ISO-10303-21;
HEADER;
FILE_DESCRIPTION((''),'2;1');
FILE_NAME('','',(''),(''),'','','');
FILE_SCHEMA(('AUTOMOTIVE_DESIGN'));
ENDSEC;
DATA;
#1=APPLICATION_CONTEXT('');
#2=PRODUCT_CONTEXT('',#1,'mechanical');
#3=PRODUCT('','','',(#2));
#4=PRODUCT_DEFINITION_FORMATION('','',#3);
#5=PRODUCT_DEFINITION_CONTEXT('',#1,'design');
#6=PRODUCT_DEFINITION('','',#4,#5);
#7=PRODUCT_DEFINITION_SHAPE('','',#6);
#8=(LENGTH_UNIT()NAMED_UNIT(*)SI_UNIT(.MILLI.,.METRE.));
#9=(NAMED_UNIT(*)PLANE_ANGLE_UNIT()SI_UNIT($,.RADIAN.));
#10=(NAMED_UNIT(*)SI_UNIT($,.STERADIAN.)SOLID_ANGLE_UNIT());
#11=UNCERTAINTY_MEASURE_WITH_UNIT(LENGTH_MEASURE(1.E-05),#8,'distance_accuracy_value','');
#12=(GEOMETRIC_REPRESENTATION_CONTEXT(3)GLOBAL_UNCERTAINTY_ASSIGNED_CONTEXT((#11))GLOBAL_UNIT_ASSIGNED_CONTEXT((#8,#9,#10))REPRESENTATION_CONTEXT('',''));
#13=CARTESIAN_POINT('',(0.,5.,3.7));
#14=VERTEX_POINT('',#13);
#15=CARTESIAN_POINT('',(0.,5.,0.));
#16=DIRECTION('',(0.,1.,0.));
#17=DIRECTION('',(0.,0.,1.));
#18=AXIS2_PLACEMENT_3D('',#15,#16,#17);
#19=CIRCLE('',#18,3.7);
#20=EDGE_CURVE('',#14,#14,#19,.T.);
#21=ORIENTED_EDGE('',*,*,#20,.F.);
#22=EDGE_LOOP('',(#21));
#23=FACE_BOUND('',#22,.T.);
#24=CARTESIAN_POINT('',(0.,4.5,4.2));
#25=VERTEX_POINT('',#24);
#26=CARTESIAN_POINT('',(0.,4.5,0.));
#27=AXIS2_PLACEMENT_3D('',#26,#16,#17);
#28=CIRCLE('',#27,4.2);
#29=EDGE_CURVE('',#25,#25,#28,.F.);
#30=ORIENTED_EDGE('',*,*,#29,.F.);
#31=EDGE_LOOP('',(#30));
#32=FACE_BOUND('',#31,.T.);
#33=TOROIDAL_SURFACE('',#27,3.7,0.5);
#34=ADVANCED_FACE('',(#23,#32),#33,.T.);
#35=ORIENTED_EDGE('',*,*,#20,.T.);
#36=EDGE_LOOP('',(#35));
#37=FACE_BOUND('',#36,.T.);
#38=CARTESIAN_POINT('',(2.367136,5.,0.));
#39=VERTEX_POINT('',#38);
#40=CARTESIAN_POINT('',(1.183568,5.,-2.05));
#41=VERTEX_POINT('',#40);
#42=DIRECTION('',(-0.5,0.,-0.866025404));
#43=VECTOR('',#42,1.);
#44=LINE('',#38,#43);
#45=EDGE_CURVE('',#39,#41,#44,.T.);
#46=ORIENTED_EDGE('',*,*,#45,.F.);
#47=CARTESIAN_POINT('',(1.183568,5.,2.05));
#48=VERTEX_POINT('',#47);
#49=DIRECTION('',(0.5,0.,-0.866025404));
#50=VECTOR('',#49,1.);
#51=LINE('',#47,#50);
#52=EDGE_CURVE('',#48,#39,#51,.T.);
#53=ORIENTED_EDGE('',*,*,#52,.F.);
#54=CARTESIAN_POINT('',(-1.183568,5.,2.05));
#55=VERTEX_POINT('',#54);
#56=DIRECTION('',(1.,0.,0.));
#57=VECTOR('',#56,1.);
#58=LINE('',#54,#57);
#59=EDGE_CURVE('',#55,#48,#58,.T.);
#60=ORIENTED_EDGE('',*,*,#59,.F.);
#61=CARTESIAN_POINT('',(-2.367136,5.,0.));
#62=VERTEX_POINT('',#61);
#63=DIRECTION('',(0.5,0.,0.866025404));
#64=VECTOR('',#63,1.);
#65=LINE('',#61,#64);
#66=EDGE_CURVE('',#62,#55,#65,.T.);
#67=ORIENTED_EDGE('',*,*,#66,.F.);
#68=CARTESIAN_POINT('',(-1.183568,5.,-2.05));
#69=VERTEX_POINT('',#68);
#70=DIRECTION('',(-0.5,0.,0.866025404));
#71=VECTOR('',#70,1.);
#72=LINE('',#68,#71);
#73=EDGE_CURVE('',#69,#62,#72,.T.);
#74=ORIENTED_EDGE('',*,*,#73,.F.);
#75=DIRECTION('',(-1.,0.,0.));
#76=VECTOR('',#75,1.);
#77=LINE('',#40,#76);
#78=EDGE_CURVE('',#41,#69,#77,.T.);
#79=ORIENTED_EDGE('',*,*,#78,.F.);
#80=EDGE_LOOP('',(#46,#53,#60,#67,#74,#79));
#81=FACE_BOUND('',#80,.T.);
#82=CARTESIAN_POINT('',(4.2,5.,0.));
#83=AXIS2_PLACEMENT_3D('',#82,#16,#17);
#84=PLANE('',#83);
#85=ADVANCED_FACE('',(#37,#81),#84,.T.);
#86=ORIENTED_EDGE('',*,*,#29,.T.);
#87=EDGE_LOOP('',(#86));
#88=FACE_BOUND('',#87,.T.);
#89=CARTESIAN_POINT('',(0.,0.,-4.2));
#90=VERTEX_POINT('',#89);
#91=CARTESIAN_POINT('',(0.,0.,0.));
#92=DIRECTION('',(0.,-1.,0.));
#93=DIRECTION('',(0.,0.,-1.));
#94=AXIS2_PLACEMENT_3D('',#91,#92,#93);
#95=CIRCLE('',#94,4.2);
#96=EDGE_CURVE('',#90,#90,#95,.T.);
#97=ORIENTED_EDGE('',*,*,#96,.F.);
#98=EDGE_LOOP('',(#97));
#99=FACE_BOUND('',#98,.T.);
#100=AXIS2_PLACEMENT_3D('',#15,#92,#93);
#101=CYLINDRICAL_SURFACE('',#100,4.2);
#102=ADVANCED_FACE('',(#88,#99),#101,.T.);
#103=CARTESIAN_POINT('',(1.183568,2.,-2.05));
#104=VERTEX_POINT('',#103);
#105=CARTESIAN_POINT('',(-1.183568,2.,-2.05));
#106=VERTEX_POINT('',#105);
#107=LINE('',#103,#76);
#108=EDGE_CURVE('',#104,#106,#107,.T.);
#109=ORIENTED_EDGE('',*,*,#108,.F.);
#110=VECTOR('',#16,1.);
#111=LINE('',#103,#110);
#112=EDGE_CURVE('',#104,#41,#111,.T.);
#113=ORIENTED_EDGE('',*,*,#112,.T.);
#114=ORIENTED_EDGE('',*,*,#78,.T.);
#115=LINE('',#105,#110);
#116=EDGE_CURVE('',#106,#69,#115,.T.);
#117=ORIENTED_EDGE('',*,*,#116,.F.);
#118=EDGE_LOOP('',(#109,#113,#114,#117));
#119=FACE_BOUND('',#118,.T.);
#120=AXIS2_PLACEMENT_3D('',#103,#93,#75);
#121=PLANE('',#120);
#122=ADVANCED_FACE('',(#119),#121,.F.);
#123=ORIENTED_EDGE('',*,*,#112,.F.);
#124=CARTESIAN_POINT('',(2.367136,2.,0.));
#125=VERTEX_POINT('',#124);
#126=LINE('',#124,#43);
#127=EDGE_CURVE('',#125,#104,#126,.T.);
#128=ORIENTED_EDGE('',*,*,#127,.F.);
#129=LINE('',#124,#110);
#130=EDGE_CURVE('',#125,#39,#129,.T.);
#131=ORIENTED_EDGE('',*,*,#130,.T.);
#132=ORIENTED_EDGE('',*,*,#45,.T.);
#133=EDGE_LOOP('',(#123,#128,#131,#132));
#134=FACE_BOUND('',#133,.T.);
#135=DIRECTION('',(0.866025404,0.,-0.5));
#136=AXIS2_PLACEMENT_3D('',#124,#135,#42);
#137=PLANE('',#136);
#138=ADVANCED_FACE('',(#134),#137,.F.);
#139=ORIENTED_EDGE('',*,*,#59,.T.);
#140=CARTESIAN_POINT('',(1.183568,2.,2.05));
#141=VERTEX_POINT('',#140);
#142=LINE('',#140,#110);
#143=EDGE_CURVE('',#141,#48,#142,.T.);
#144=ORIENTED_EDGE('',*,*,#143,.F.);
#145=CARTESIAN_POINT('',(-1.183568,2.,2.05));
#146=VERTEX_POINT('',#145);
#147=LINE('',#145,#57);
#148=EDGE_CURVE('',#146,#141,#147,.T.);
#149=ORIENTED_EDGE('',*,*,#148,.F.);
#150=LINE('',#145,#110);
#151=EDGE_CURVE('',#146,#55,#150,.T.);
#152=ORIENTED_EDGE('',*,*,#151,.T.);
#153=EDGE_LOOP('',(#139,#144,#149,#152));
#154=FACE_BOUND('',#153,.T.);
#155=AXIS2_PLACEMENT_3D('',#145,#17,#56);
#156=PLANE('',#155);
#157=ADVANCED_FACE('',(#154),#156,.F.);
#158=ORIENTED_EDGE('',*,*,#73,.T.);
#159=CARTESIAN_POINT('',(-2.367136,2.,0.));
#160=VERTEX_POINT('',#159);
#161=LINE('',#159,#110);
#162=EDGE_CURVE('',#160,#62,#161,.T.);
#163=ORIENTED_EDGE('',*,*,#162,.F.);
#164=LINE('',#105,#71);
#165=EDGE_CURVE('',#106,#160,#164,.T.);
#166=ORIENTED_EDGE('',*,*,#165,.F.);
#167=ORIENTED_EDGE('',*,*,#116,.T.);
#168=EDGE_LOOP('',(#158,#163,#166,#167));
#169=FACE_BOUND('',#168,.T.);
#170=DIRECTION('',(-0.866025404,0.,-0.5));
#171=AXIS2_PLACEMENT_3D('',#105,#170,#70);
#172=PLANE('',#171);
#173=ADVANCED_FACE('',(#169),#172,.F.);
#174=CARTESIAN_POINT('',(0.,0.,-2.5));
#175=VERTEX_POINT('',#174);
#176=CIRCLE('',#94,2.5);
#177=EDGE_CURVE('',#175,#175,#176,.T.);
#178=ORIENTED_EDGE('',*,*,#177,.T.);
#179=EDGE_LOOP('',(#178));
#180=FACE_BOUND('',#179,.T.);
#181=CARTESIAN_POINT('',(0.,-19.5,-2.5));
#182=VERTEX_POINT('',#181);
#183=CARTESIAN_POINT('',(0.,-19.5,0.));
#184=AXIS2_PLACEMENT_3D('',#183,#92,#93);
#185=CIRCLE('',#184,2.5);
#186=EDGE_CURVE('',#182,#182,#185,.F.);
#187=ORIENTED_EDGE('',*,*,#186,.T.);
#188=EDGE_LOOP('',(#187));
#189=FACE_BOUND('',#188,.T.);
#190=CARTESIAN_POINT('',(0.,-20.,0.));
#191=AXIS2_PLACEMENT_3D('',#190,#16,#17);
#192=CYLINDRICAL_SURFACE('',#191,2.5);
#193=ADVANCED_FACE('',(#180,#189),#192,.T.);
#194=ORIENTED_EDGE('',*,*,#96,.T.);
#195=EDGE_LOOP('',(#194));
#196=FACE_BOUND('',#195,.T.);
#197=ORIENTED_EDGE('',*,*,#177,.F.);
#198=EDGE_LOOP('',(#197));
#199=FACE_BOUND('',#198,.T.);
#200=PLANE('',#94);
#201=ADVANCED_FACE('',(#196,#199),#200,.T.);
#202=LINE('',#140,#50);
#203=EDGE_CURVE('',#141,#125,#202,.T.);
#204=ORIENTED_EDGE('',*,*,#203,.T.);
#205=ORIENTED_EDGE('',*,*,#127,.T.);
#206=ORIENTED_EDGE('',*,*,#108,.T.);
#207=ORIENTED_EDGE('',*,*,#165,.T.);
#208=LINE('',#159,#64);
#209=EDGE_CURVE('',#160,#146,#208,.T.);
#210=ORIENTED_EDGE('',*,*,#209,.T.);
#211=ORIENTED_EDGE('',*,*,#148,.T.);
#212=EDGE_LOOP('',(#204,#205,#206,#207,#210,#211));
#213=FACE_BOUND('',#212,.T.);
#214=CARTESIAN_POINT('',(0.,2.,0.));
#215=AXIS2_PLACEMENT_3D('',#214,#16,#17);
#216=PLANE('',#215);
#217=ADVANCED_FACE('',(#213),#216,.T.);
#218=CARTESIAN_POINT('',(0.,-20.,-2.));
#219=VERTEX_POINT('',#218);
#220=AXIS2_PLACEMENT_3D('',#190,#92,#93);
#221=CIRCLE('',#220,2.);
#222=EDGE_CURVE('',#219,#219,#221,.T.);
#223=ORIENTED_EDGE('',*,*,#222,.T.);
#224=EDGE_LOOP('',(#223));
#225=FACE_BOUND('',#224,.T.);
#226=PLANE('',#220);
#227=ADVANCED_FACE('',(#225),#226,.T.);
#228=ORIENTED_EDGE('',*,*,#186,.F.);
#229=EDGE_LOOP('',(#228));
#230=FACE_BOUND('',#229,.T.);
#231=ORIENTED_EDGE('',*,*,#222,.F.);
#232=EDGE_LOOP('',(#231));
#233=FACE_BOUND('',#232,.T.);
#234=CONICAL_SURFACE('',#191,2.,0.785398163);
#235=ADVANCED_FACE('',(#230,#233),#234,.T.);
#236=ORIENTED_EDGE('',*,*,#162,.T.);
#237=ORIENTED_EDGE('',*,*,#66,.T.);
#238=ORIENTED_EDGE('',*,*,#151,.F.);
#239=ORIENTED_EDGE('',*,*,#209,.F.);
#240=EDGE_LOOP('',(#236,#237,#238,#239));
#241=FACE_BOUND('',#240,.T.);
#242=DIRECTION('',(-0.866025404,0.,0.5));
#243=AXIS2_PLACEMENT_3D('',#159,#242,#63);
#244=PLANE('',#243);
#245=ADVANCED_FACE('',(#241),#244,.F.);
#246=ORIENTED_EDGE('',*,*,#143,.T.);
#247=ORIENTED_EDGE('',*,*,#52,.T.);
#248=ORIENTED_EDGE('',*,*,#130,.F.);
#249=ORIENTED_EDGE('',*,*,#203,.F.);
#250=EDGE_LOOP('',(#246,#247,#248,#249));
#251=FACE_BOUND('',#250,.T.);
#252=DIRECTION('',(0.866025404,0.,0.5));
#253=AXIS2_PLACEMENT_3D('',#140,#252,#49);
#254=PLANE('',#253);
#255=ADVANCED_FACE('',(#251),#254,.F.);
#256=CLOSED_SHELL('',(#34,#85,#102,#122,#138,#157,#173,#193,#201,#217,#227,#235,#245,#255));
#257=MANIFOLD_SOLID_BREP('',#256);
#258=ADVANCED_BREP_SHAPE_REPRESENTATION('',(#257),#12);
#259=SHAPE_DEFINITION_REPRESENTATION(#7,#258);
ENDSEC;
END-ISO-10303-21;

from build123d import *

# Parameters (mm, degrees)
ESQUISSE1_W             = 4.2
ESQUISSE1_H             = 5
ESQUISSE2_R             = 2.5
BOSS_EXTRU_1_DEPTH      = 20
ENL_V_MAT_EXTRU_1_DEPTH = 3
CHANFREIN1_SIZE         = 0.5
CONG_1_R                = 0.5


with BuildPart() as part:
    # Esquisse1 → Révolution1 (revolve)
    with BuildSketch(Plane.XY, mode=Mode.PRIVATE) as r_volution1_sk:
        with Locations((2.1, 2.5)):
            Rectangle(ESQUISSE1_W, ESQUISSE1_H)
    revolve(r_volution1_sk.sketch.rotate(Axis((0, 5, 0), (0, -1, 0)), 270), axis=Axis((0, 5, 0), (0, -1, 0)))

    # Esquisse2 → Boss.-Extru.1 (add)
    with BuildSketch(Plane.XZ):
        with Locations(Location((0, 0, 0), (0, 0, 270))):
            Circle(ESQUISSE2_R)
    extrude(amount=BOSS_EXTRU_1_DEPTH)

    # Esquisse3 → Enlèv. mat.-Extru.1 (cut)
    with BuildSketch(Plane(origin=(0, 5, 0), x_dir=(-1, 0, 0), z_dir=(0, 1, 0))):
        Polygon((1.183568052, 2.05), (-1.183568052, 2.05), (-2.367136104, 0), (-1.183568052, -2.05), (1.183568052, -2.05), (2.367136104, 0), align=None)
    extrude(amount=-ENL_V_MAT_EXTRU_1_DEPTH, mode=Mode.SUBTRACT)

    # Chanfrein1
    chanfrein1_edges = [part.edges().sort_by_distance(p)[0] for p in [
        (0, -20, 2.5),
    ]]
    chamfer(chanfrein1_edges, length=CHANFREIN1_SIZE)

    # Congé1
    cong_1_edges = [part.edges().sort_by_distance(p)[0] for p in [
        (0, 5, 4.2),
    ]]
    fillet(cong_1_edges, radius=CONG_1_R)


solid = part.part
